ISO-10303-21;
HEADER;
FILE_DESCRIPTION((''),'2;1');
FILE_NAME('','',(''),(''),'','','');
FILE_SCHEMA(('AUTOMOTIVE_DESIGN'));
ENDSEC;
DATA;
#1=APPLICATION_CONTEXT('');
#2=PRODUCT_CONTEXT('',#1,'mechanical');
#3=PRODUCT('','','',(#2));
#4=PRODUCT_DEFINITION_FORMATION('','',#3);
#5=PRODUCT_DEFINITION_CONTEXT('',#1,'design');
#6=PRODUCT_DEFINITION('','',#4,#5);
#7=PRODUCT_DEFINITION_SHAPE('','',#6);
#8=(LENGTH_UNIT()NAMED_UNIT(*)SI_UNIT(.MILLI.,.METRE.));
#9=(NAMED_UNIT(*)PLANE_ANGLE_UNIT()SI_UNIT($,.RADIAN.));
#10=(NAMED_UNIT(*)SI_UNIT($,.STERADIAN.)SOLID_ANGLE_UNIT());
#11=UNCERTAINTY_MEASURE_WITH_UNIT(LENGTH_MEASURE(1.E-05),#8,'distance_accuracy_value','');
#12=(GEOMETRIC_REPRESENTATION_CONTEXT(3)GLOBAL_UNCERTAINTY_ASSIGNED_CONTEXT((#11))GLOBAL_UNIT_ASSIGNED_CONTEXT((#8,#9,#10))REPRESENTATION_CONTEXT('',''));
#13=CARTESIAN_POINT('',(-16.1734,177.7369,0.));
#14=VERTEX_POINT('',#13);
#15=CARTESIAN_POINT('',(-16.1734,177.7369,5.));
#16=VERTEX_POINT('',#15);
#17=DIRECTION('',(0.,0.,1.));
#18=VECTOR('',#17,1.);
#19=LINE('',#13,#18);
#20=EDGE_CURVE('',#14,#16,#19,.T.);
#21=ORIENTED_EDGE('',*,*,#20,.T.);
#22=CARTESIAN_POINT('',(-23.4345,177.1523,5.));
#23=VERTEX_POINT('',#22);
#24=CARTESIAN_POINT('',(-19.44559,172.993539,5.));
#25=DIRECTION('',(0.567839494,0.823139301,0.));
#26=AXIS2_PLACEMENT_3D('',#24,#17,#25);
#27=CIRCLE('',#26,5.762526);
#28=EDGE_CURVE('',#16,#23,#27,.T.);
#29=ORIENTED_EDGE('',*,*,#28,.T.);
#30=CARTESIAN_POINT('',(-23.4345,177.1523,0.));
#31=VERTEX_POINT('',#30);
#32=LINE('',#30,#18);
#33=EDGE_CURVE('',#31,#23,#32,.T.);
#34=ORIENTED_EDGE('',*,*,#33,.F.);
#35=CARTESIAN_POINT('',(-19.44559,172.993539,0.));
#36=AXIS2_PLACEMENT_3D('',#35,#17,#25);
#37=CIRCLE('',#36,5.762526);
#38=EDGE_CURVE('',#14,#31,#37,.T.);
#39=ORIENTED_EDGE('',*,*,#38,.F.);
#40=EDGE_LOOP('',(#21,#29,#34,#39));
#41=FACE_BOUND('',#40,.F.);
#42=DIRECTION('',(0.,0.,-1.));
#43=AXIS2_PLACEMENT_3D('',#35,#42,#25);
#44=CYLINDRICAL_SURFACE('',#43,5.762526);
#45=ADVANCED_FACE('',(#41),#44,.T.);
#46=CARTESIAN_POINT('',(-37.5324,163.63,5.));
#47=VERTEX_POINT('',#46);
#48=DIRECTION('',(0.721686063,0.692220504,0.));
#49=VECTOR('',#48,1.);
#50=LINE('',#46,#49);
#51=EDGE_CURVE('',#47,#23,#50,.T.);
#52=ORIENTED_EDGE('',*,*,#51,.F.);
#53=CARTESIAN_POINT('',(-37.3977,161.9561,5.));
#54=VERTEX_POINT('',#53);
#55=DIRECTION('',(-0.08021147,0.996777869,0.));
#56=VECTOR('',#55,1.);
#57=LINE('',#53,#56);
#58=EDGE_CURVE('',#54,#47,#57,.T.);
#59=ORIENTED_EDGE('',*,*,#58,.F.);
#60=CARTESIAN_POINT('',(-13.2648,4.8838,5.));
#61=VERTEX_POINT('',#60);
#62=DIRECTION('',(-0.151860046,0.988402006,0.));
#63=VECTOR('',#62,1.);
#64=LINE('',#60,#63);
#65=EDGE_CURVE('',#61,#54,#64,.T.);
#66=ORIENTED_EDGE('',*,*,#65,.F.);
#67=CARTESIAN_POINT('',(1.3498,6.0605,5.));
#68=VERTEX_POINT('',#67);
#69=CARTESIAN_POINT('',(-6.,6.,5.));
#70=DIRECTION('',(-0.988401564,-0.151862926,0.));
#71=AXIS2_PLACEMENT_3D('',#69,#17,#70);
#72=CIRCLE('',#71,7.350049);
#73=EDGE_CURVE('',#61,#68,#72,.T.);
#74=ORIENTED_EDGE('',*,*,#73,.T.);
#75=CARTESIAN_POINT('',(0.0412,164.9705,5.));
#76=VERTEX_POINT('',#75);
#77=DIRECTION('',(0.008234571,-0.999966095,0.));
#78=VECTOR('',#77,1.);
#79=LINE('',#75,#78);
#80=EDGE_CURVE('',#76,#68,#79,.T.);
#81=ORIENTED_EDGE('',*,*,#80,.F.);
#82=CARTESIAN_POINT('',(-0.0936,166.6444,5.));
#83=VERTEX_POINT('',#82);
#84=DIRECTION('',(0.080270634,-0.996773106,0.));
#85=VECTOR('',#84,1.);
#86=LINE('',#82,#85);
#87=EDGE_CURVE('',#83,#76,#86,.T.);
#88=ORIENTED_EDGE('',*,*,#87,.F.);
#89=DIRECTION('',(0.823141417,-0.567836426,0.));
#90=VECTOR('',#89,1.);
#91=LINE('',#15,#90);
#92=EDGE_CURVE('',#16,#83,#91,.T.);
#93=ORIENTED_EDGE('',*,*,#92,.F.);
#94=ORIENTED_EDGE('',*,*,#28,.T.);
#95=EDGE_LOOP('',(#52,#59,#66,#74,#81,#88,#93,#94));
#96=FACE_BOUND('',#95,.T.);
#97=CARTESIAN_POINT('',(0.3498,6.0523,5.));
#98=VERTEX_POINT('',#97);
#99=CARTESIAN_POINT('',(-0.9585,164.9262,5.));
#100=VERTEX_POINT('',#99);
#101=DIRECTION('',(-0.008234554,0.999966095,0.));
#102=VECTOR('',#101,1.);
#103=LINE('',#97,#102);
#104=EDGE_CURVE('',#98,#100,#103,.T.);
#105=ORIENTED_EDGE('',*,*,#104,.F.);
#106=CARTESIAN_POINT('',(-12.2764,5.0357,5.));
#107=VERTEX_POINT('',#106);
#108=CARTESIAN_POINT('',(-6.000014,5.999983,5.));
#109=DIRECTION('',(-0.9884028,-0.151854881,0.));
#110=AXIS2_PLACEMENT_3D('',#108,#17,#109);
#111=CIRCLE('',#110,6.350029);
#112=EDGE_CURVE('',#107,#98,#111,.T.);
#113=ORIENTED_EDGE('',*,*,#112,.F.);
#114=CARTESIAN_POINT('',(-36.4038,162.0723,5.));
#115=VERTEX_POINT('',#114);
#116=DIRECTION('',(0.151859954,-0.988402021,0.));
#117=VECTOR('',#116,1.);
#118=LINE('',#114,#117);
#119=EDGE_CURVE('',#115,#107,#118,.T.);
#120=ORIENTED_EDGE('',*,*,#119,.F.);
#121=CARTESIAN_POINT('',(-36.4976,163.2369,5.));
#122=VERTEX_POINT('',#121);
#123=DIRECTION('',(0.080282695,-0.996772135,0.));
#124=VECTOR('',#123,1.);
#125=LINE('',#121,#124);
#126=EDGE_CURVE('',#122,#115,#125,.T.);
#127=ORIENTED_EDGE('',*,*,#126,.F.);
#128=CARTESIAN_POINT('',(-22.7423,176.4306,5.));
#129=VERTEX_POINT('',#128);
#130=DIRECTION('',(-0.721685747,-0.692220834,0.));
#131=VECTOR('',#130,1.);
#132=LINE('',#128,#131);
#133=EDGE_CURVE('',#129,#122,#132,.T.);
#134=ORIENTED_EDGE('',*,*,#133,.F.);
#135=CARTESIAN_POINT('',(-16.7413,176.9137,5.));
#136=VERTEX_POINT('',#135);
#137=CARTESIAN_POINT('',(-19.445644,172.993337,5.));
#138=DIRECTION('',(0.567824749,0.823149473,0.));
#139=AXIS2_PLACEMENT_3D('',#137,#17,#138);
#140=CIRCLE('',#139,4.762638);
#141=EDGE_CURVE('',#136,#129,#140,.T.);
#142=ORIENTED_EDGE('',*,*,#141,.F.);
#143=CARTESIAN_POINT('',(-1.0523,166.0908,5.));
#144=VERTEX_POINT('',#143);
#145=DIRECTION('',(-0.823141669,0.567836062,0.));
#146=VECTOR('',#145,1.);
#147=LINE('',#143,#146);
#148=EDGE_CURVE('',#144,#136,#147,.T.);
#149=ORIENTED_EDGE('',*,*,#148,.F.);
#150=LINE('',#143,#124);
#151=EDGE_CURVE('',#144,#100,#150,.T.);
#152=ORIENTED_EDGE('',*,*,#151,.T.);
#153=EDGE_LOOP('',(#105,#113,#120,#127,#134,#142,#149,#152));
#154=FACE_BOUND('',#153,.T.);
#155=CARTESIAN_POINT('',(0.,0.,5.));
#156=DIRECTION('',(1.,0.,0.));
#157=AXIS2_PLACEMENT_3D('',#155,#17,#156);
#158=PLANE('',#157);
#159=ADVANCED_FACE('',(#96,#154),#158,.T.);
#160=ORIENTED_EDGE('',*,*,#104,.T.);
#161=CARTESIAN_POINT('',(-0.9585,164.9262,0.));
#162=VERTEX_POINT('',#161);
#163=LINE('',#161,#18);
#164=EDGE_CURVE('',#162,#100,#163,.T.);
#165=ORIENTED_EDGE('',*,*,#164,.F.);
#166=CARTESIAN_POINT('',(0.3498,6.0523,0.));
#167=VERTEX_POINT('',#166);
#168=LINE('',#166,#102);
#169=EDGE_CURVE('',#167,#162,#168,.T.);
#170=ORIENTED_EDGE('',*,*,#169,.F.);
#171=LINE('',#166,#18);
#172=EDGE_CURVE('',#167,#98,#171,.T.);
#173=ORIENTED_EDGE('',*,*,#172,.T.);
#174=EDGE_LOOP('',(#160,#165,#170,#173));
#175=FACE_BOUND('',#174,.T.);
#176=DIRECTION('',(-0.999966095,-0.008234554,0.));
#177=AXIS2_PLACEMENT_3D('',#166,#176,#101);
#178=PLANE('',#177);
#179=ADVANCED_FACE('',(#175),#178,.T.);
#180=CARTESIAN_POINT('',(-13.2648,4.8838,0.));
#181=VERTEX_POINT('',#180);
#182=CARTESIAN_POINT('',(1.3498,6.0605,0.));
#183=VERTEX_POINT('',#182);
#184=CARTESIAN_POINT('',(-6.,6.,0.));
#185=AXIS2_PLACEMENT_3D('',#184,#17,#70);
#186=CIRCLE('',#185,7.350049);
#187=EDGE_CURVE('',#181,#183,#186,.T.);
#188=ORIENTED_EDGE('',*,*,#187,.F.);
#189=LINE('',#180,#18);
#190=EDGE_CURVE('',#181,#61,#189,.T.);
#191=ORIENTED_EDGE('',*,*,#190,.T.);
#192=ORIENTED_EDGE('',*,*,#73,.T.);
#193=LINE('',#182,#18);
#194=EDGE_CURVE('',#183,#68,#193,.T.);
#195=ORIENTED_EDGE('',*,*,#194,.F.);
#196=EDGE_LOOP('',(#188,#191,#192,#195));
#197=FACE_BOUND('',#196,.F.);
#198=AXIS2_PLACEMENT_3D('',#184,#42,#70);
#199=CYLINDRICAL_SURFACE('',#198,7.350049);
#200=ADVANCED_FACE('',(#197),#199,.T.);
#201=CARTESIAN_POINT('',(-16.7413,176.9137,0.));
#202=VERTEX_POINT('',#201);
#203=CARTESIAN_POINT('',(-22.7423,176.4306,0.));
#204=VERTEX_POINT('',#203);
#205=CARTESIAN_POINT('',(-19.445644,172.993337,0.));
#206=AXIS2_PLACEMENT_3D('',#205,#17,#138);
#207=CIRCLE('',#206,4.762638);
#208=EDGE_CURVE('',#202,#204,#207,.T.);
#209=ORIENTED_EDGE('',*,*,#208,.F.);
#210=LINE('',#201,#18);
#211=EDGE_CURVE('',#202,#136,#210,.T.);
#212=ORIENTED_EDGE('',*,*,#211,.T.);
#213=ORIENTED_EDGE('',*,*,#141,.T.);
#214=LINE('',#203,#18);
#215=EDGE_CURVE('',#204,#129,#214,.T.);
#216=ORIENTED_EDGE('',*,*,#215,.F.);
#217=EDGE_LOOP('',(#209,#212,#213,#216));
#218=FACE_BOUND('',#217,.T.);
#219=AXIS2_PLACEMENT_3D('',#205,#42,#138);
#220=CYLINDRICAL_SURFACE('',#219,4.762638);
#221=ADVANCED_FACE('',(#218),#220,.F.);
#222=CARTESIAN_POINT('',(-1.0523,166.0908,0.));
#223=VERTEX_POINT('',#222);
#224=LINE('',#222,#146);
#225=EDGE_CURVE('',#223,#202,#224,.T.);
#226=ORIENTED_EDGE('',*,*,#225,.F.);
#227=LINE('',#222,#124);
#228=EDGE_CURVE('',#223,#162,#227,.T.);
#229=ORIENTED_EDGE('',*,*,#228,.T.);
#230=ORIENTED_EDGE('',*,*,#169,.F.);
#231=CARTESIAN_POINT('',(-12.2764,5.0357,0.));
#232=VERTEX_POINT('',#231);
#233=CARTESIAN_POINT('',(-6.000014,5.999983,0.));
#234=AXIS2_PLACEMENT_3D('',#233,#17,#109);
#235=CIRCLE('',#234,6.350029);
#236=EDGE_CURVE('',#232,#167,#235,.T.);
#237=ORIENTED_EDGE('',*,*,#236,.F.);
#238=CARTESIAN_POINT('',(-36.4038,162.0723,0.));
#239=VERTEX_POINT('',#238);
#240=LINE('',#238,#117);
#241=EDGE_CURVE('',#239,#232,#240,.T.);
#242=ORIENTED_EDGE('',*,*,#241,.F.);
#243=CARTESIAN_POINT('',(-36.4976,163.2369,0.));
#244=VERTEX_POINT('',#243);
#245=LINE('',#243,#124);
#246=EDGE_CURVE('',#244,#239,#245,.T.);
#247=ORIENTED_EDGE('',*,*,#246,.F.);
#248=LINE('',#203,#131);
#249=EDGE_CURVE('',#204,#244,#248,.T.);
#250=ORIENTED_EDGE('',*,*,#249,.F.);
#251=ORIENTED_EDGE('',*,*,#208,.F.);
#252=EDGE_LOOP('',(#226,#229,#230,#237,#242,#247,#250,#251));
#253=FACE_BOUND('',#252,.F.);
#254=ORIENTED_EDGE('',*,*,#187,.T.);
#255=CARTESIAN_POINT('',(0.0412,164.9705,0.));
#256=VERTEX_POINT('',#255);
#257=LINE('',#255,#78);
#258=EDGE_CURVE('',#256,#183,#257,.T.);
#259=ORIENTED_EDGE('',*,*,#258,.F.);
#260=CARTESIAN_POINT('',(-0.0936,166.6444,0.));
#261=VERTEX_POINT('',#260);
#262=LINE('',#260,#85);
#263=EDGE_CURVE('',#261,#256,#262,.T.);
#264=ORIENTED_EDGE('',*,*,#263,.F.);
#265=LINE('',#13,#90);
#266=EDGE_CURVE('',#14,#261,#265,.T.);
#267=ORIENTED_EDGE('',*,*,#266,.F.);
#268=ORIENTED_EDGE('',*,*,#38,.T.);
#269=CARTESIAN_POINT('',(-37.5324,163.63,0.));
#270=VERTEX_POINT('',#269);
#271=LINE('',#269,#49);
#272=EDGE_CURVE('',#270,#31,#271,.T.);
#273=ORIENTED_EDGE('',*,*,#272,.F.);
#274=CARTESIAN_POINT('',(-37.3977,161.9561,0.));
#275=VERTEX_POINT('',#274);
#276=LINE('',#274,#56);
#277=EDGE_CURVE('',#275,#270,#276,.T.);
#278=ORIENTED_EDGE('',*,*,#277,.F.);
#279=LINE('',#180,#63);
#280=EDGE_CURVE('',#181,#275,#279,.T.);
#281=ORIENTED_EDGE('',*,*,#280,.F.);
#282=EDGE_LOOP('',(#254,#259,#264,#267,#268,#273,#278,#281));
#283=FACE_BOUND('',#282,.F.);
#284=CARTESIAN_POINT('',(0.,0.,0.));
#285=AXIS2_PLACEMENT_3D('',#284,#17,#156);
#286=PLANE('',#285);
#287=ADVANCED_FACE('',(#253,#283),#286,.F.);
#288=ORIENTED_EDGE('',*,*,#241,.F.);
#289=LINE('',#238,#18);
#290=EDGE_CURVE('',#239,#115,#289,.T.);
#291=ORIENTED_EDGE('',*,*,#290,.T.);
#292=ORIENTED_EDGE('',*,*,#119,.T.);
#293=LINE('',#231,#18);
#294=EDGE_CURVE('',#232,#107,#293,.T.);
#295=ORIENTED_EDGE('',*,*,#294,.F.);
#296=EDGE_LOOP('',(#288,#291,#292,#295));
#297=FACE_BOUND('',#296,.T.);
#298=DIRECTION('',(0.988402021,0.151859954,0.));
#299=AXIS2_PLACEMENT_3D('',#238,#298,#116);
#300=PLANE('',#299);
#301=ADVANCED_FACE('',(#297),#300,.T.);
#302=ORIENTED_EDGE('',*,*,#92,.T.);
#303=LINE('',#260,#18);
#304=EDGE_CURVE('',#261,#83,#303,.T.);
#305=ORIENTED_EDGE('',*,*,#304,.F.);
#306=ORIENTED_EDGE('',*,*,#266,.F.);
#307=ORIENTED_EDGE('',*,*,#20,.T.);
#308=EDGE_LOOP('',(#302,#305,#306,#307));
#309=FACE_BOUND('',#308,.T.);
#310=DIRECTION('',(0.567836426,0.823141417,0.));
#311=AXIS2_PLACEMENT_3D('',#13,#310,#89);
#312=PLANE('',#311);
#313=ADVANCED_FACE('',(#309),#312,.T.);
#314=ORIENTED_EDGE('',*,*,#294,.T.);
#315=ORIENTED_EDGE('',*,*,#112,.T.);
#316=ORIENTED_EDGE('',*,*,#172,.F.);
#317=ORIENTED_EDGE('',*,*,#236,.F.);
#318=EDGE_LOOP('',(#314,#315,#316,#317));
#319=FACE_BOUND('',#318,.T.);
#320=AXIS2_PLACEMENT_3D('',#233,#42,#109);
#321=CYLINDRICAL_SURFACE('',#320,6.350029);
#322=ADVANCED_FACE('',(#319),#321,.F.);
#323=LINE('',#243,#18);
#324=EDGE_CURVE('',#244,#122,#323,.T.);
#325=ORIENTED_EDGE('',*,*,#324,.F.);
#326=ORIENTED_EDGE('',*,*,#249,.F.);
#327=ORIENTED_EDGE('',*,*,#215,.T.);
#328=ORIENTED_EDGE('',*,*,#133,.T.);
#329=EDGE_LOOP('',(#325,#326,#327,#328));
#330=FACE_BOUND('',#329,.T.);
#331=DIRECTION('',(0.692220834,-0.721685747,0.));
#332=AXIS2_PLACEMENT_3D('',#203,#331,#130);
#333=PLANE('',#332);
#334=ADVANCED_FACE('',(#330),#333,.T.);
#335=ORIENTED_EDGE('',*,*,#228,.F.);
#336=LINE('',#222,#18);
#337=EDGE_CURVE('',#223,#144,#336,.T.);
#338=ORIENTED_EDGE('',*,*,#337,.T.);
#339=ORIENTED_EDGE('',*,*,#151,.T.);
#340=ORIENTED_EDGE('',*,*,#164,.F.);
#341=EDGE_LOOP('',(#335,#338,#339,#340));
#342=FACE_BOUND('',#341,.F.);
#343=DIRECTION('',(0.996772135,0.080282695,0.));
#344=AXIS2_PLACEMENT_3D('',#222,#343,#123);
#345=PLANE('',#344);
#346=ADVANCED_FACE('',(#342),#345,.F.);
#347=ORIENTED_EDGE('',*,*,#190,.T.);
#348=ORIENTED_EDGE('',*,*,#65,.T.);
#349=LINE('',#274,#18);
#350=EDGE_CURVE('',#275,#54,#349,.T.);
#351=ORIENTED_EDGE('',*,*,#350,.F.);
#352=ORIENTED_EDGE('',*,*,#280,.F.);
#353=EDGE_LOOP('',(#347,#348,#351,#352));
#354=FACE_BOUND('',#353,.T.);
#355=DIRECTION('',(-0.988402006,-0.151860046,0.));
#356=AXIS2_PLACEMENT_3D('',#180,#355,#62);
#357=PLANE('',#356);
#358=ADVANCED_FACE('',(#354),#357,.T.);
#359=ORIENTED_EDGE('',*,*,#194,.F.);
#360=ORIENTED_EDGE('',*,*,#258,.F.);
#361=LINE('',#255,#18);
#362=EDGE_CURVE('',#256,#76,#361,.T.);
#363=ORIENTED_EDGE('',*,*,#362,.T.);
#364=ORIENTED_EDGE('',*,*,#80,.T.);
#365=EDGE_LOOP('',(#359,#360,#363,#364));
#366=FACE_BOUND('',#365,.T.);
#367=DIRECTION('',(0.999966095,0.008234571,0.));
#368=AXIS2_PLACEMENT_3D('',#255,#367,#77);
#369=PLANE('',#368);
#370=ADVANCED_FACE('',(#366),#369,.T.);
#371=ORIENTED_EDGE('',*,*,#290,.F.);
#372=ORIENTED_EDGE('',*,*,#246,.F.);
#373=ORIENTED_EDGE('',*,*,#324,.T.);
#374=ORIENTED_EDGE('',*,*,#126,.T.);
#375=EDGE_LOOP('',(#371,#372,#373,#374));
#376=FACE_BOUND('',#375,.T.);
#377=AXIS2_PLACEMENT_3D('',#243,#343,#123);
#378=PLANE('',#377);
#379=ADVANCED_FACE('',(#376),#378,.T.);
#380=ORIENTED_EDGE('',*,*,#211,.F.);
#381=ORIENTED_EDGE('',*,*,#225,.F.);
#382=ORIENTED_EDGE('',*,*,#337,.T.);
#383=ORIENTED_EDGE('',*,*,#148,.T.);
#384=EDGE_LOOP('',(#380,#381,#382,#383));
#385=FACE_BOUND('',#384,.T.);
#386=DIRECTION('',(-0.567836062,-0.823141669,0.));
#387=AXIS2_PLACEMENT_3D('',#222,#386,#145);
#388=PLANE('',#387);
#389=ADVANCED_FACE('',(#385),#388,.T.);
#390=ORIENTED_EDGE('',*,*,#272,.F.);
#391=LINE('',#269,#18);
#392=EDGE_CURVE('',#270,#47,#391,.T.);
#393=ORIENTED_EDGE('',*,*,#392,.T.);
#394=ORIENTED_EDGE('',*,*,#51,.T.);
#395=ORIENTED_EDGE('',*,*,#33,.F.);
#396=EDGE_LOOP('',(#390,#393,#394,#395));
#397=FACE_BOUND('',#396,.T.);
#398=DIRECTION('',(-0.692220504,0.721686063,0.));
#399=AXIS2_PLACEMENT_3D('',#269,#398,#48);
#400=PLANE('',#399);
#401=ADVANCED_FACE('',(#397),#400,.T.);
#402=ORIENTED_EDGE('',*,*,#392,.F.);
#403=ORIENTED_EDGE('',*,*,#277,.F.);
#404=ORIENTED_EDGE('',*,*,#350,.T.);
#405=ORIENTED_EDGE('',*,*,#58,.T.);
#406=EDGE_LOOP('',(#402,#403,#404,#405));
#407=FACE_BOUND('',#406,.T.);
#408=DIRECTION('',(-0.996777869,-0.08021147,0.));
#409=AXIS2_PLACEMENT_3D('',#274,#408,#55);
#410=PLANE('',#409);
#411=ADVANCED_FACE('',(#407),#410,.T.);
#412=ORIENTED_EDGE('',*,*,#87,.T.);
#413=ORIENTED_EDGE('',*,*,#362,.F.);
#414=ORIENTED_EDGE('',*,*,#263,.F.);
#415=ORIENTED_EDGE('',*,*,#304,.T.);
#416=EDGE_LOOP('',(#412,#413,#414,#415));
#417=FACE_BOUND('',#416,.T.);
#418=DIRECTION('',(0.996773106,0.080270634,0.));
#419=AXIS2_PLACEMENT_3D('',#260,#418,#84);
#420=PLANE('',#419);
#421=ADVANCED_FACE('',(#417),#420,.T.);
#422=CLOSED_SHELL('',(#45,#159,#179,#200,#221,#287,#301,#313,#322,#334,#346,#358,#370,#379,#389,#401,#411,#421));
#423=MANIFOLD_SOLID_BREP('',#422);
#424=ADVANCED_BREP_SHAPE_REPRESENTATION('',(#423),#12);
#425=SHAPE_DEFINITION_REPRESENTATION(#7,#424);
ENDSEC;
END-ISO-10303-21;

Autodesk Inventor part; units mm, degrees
ref_plane "YZ Plane" through (0, 0, 0) normal (1, 0, 0) x (0, 1, 0)
ref_plane "XZ Plane" through (0, 0, 0) normal (0, 1, 0) x (-1, 0, 0)
ref_plane "XY Plane" through (0, 0, 0) normal (0, 0, 1) x (1, 0, 0)
sketch "Sketch1" plane through (0, 0, 0) normal (0, 0, 1) x (1, 0, 0)
  circle A0 centre (-6, 6) radius 6.35 construction
  arc A1 (-12.2764, 5.0357) -> (0.3498, 6.0523) centre (-6, 6) ccw
  circle A2 centre (-19.4456, 172.9935) radius 4.7625 construction
  arc A3 (-16.7413, 176.9137) -> (-22.7423, 176.4306) centre (-19.4456, 172.9935) ccw
  line L0 (-36.4038, 162.0723) -> (-36.4976, 163.2369) construction
  line L1 (-1.0523, 166.0908) -> (-0.9585, 164.9262) construction
  line L2 (-22.7423, 176.4306) -> (-36.4976, 163.2369)
  line L3 (0.3498, 6.0523) -> (-0.9585, 164.9262)
  line L4 (-1.0523, 166.0908) -> (-0.9585, 164.9262)
  line L5 (-1.0523, 166.0908) -> (-16.7413, 176.9137)
  line L6 (-36.4976, 163.2369) -> (-36.4038, 162.0723)
  line L7 (-36.4038, 162.0723) -> (-12.2764, 5.0357)
  line L8 (0.0412, 164.9705) -> (1.3498, 6.0605)
  arc A4 (-13.2648, 4.8838) -> (1.3498, 6.0605) centre (-6, 6) ccw
  line L9 (-13.2648, 4.8838) -> (-37.3977, 161.9561)
  line L10 (-37.3977, 161.9561) -> (-37.5324, 163.63)
  line L11 (-37.5324, 163.63) -> (-23.4345, 177.1523)
  arc A5 (-16.1734, 177.7369) -> (-23.4345, 177.1523) centre (-19.4456, 172.9935) ccw
  line L12 (-16.1734, 177.7369) -> (-0.0936, 166.6444)
  line L13 (-0.0936, 166.6444) -> (0.0412, 164.9705)
  point P0 (0, 0)
  dimension "d7" = 1
extrude "Extrusion1" add sketch "Sketch1" along normal blind 5
properties part number "Compression bar band"
